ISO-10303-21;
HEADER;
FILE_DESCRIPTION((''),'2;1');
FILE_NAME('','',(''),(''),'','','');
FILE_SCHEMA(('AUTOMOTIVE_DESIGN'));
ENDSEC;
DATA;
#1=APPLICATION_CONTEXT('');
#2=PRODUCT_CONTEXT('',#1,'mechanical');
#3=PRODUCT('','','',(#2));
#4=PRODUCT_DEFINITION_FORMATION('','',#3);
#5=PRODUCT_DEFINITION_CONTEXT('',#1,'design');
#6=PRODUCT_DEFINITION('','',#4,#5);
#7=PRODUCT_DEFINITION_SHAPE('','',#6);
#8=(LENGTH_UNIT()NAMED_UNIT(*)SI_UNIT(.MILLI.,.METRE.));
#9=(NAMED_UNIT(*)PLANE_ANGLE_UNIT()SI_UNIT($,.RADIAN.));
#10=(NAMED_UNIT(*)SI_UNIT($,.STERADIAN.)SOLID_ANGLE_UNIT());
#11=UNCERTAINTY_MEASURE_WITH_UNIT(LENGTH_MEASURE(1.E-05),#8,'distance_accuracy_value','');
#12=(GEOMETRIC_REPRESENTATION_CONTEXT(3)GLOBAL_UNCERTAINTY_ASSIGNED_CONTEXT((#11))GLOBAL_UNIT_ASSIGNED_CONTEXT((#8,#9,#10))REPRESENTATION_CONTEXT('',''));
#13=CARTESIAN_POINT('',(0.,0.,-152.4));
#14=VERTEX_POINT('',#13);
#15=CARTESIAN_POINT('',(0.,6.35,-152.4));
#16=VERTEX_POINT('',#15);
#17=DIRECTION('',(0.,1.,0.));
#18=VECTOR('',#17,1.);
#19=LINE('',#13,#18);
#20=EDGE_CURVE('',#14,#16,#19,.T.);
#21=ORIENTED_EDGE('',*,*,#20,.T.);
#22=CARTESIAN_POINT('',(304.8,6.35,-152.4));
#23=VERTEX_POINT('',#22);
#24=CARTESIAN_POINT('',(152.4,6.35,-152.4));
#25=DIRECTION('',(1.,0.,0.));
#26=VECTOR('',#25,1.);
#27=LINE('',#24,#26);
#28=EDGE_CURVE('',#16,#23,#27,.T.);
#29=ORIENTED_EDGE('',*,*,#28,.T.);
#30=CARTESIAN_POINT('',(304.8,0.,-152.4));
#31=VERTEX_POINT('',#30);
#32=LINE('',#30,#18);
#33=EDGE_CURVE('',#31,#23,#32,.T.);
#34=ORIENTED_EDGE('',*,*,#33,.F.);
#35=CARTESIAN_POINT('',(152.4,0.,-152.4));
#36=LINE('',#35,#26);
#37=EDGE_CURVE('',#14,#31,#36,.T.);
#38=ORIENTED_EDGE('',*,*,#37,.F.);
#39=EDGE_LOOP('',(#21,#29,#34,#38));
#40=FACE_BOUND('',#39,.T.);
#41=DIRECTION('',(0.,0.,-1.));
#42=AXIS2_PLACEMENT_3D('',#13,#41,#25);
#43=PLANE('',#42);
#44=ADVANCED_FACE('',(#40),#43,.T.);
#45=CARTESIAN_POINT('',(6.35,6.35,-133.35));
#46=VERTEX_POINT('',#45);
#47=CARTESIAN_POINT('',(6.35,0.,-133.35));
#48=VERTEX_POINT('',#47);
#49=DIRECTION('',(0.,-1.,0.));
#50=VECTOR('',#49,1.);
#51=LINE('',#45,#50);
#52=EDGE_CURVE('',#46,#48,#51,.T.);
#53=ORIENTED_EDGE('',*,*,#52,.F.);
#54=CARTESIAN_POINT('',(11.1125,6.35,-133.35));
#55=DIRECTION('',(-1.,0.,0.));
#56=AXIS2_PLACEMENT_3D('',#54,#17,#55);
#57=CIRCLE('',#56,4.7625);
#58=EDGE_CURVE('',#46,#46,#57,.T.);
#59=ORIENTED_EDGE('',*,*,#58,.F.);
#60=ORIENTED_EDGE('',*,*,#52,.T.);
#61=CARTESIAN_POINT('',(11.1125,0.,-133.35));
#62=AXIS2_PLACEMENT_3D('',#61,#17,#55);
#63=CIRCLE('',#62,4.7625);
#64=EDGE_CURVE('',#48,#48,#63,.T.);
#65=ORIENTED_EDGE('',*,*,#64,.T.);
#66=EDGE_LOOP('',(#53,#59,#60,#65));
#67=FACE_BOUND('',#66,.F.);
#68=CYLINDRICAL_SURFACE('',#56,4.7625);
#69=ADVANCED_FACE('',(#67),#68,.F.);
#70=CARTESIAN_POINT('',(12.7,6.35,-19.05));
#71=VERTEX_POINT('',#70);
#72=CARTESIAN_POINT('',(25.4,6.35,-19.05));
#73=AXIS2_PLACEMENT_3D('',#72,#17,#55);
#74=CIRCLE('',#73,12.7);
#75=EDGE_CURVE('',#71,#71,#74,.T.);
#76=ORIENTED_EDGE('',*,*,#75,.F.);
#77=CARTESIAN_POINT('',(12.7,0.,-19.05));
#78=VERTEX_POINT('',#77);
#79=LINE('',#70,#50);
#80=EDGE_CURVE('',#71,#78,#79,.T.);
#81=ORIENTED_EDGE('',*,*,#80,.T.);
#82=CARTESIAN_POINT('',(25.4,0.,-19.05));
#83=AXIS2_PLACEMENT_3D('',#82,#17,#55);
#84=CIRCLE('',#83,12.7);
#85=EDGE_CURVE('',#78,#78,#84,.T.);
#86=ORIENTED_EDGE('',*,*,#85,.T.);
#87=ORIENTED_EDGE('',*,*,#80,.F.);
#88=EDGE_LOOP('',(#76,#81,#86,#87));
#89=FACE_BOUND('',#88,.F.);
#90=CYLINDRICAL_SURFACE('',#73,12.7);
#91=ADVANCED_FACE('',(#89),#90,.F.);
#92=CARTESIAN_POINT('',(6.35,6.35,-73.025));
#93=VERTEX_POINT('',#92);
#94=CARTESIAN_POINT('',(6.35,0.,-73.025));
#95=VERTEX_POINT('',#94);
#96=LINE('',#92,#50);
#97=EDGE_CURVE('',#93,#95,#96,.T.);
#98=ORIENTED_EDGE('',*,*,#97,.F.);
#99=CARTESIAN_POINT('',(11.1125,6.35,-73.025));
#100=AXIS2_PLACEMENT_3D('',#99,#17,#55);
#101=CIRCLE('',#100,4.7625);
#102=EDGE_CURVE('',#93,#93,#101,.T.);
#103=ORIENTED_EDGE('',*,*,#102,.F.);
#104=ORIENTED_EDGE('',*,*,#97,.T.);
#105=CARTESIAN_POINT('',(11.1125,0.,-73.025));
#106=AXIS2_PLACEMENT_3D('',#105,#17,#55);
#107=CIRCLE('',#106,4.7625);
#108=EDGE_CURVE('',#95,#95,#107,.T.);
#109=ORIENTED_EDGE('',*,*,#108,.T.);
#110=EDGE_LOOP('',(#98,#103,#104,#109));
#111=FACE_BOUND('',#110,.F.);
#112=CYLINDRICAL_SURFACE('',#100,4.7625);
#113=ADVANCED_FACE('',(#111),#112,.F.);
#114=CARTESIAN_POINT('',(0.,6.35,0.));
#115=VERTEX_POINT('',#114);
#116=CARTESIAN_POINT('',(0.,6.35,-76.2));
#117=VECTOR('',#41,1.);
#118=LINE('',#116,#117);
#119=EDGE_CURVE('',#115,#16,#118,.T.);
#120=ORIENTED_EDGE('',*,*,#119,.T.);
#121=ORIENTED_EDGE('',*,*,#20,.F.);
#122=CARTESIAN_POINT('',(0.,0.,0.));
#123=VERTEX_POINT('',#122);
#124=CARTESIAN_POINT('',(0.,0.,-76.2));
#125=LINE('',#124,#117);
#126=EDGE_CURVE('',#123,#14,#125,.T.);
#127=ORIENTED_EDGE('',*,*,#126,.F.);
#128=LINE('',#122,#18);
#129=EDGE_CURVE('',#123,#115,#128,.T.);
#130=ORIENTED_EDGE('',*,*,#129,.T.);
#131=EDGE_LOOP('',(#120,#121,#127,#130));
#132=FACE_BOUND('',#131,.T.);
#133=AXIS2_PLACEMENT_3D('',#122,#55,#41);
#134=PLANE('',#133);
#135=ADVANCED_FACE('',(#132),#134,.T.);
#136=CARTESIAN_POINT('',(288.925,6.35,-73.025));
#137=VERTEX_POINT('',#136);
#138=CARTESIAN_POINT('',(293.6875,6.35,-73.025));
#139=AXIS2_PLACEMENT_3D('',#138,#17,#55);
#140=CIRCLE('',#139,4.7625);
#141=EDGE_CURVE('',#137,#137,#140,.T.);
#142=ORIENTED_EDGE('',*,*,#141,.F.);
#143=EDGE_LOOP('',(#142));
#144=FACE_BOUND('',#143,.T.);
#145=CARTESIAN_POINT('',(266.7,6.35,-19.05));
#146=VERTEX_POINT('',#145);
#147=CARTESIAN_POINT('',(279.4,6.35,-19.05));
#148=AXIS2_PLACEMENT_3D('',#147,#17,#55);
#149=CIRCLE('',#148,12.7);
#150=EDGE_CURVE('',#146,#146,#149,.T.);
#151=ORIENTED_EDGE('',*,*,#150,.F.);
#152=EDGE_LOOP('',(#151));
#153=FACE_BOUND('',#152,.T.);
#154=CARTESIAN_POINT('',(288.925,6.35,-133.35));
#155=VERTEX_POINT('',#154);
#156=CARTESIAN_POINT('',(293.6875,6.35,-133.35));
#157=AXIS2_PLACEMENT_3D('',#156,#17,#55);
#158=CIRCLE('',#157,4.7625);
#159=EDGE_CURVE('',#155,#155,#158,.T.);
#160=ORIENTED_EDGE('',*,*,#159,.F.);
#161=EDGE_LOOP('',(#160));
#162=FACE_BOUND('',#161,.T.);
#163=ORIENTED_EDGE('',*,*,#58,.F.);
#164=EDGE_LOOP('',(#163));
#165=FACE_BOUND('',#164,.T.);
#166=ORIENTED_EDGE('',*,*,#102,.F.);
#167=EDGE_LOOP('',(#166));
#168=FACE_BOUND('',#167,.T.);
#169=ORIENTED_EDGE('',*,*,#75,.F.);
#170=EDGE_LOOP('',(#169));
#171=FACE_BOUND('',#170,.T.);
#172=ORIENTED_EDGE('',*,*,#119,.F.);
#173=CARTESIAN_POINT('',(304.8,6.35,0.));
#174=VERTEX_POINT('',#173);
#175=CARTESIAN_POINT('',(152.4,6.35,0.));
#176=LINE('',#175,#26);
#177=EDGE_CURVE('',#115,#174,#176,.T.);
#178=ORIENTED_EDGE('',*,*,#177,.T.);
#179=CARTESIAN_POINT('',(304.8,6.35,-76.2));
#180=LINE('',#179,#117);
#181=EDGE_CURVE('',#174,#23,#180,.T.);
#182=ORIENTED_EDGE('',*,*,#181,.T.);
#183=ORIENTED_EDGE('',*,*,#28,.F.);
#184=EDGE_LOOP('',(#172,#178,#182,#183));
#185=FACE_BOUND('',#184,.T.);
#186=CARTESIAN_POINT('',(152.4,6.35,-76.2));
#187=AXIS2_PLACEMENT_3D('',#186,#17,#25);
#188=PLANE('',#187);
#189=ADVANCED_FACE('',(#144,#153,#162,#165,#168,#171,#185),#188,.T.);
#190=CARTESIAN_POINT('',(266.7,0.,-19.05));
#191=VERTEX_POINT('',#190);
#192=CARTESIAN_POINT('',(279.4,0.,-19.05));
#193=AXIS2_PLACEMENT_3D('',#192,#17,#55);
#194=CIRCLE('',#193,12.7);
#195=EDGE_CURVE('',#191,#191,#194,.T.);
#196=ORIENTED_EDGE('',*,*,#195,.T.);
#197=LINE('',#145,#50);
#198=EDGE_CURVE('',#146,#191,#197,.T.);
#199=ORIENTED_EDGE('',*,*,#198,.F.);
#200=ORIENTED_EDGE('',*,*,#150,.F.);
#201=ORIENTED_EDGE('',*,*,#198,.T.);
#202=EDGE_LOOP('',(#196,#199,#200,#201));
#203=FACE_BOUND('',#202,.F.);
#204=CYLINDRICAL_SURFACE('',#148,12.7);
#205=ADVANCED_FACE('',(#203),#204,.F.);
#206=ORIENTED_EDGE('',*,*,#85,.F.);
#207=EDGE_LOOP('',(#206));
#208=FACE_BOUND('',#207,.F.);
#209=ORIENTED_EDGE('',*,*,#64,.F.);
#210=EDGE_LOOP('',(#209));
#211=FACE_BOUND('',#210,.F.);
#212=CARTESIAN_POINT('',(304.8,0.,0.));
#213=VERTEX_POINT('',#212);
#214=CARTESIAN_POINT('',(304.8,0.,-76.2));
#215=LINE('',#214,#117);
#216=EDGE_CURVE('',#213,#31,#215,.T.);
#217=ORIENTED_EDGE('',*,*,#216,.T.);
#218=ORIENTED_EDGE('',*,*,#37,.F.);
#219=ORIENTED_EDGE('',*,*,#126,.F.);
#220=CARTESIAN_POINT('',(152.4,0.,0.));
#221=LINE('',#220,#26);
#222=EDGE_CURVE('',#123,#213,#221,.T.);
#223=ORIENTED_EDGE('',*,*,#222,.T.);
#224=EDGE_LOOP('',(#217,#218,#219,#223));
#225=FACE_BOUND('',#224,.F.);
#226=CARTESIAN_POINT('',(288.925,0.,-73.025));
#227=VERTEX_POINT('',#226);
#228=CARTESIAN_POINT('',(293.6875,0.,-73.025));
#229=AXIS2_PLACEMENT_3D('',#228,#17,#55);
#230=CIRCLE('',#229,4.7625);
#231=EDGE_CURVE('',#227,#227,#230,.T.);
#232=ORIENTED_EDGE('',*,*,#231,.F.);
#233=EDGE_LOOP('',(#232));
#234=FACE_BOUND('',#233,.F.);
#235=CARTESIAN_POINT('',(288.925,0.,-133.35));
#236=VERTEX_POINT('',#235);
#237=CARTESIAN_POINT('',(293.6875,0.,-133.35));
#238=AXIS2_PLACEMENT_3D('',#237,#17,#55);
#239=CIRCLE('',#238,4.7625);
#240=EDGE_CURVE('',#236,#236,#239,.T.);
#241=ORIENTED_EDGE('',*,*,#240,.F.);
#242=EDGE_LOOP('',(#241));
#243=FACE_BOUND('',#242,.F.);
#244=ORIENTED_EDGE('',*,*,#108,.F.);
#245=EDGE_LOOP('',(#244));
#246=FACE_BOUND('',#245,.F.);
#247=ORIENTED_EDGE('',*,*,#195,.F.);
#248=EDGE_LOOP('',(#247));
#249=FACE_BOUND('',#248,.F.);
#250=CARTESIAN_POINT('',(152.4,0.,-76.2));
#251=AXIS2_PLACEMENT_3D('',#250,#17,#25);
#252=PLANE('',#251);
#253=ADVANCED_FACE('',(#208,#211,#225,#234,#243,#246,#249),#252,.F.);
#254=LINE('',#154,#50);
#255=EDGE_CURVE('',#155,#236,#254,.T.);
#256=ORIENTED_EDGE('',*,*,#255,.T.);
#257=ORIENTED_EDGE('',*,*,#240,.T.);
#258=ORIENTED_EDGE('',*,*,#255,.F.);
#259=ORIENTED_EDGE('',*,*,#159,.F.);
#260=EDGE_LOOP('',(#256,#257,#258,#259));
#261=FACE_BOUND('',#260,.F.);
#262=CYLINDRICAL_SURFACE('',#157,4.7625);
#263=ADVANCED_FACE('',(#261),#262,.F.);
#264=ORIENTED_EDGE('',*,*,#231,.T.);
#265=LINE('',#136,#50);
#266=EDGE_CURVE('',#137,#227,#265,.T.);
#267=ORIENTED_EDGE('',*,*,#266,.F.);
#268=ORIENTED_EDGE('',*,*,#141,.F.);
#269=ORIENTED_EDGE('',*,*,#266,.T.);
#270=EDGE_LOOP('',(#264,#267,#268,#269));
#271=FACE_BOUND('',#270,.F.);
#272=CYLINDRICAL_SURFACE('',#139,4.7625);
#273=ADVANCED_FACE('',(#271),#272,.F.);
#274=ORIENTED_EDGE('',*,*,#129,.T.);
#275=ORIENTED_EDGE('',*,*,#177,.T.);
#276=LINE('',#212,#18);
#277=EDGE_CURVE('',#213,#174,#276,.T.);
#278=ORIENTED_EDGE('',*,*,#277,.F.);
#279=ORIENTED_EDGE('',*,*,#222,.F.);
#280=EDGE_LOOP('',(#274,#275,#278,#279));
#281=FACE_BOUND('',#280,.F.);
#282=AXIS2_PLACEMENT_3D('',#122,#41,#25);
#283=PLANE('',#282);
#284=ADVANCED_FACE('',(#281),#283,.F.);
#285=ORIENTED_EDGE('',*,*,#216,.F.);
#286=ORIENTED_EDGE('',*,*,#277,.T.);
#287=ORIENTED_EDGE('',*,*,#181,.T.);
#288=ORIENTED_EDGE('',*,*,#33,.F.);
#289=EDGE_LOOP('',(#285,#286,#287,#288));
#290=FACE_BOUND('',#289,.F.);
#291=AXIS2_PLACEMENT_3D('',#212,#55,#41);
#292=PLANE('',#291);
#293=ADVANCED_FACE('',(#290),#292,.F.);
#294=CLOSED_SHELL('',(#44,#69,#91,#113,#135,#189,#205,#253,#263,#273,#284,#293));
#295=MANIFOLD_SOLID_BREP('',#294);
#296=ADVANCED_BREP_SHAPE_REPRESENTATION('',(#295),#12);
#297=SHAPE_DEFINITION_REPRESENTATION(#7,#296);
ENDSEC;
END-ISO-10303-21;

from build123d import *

# Parameters (mm, degrees)
SKETCH1_W           = 304.8
SKETCH1_H           = 152.4
BOSS_EXTRUDE1_DEPTH = 6.35
CUT_EXTRUDE1_REACH  = 8.35
SKETCH2_R           = 12.7
SKETCH2_R_2         = 4.7625


with BuildPart() as part:
    # Sketch1 → Boss-Extrude1 (new body)
    with BuildSketch(Plane(origin=(0, 0, 0), x_dir=(1, 0, 0), z_dir=(0, 1, 0))):
        with Locations((152.4, 76.2)):
            Rectangle(SKETCH1_W, SKETCH1_H)
    extrude(amount=BOSS_EXTRUDE1_DEPTH)

    # Sketch2 → Cut-Extrude1 (cut, up to next)
    with BuildSketch(Plane(origin=(0, 6.35, 0), x_dir=(-1, 0, 0), z_dir=(0, 1, 0)), mode=Mode.PRIVATE) as cut_extrude1_sk1:
        with Locations((-25.4, -19.05)):
            Circle(SKETCH2_R)
    cut_extrude1_tool1 = extrude(cut_extrude1_sk1.sketch, amount=-CUT_EXTRUDE1_REACH, mode=Mode.PRIVATE) & part.part
    add(cut_extrude1_tool1.solids().sort_by_distance((25.4, 6.35, -19.05))[0], mode=Mode.SUBTRACT)
    # Sketch2 → Cut-Extrude1 (cut, up to next)
    with BuildSketch(Plane(origin=(0, 6.35, 0), x_dir=(-1, 0, 0), z_dir=(0, 1, 0)), mode=Mode.PRIVATE) as cut_extrude1_sk2:
        with Locations((-293.6875, -133.35)):
            Circle(SKETCH2_R_2)
    cut_extrude1_tool2 = extrude(cut_extrude1_sk2.sketch, amount=-CUT_EXTRUDE1_REACH, mode=Mode.PRIVATE) & part.part
    add(cut_extrude1_tool2.solids().sort_by_distance((293.6875, 6.35, -133.35))[0], mode=Mode.SUBTRACT)
    # Sketch2 → Cut-Extrude1 (cut, up to next)
    with BuildSketch(Plane(origin=(0, 6.35, 0), x_dir=(-1, 0, 0), z_dir=(0, 1, 0)), mode=Mode.PRIVATE) as cut_extrude1_sk3:
        with Locations((-11.1125, -133.35)):
            Circle(SKETCH2_R_2)
    cut_extrude1_tool3 = extrude(cut_extrude1_sk3.sketch, amount=-CUT_EXTRUDE1_REACH, mode=Mode.PRIVATE) & part.part
    add(cut_extrude1_tool3.solids().sort_by_distance((11.1125, 6.35, -133.35))[0], mode=Mode.SUBTRACT)
    # Sketch2 → Cut-Extrude1 (cut, up to next)
    with BuildSketch(Plane(origin=(0, 6.35, 0), x_dir=(-1, 0, 0), z_dir=(0, 1, 0)), mode=Mode.PRIVATE) as cut_extrude1_sk4:
        with Locations((-11.1125, -73.025)):
            Circle(SKETCH2_R_2)
    cut_extrude1_tool4 = extrude(cut_extrude1_sk4.sketch, amount=-CUT_EXTRUDE1_REACH, mode=Mode.PRIVATE) & part.part
    add(cut_extrude1_tool4.solids().sort_by_distance((11.1125, 6.35, -73.025))[0], mode=Mode.SUBTRACT)
    # Sketch2 → Cut-Extrude1 (cut, up to next)
    with BuildSketch(Plane(origin=(0, 6.35, 0), x_dir=(-1, 0, 0), z_dir=(0, 1, 0)), mode=Mode.PRIVATE) as cut_extrude1_sk5:
        with Locations((-293.6875, -73.025)):
            Circle(SKETCH2_R_2)
    cut_extrude1_tool5 = extrude(cut_extrude1_sk5.sketch, amount=-CUT_EXTRUDE1_REACH, mode=Mode.PRIVATE) & part.part
    add(cut_extrude1_tool5.solids().sort_by_distance((293.6875, 6.35, -73.025))[0], mode=Mode.SUBTRACT)
    # Sketch2 → Cut-Extrude1 (cut, up to next)
    with BuildSketch(Plane(origin=(0, 6.35, 0), x_dir=(-1, 0, 0), z_dir=(0, 1, 0)), mode=Mode.PRIVATE) as cut_extrude1_sk6:
        with Locations((-279.4, -19.05)):
            Circle(SKETCH2_R)
    cut_extrude1_tool6 = extrude(cut_extrude1_sk6.sketch, amount=-CUT_EXTRUDE1_REACH, mode=Mode.PRIVATE) & part.part
    add(cut_extrude1_tool6.solids().sort_by_distance((279.4, 6.35, -19.05))[0], mode=Mode.SUBTRACT)


solid = part.part
